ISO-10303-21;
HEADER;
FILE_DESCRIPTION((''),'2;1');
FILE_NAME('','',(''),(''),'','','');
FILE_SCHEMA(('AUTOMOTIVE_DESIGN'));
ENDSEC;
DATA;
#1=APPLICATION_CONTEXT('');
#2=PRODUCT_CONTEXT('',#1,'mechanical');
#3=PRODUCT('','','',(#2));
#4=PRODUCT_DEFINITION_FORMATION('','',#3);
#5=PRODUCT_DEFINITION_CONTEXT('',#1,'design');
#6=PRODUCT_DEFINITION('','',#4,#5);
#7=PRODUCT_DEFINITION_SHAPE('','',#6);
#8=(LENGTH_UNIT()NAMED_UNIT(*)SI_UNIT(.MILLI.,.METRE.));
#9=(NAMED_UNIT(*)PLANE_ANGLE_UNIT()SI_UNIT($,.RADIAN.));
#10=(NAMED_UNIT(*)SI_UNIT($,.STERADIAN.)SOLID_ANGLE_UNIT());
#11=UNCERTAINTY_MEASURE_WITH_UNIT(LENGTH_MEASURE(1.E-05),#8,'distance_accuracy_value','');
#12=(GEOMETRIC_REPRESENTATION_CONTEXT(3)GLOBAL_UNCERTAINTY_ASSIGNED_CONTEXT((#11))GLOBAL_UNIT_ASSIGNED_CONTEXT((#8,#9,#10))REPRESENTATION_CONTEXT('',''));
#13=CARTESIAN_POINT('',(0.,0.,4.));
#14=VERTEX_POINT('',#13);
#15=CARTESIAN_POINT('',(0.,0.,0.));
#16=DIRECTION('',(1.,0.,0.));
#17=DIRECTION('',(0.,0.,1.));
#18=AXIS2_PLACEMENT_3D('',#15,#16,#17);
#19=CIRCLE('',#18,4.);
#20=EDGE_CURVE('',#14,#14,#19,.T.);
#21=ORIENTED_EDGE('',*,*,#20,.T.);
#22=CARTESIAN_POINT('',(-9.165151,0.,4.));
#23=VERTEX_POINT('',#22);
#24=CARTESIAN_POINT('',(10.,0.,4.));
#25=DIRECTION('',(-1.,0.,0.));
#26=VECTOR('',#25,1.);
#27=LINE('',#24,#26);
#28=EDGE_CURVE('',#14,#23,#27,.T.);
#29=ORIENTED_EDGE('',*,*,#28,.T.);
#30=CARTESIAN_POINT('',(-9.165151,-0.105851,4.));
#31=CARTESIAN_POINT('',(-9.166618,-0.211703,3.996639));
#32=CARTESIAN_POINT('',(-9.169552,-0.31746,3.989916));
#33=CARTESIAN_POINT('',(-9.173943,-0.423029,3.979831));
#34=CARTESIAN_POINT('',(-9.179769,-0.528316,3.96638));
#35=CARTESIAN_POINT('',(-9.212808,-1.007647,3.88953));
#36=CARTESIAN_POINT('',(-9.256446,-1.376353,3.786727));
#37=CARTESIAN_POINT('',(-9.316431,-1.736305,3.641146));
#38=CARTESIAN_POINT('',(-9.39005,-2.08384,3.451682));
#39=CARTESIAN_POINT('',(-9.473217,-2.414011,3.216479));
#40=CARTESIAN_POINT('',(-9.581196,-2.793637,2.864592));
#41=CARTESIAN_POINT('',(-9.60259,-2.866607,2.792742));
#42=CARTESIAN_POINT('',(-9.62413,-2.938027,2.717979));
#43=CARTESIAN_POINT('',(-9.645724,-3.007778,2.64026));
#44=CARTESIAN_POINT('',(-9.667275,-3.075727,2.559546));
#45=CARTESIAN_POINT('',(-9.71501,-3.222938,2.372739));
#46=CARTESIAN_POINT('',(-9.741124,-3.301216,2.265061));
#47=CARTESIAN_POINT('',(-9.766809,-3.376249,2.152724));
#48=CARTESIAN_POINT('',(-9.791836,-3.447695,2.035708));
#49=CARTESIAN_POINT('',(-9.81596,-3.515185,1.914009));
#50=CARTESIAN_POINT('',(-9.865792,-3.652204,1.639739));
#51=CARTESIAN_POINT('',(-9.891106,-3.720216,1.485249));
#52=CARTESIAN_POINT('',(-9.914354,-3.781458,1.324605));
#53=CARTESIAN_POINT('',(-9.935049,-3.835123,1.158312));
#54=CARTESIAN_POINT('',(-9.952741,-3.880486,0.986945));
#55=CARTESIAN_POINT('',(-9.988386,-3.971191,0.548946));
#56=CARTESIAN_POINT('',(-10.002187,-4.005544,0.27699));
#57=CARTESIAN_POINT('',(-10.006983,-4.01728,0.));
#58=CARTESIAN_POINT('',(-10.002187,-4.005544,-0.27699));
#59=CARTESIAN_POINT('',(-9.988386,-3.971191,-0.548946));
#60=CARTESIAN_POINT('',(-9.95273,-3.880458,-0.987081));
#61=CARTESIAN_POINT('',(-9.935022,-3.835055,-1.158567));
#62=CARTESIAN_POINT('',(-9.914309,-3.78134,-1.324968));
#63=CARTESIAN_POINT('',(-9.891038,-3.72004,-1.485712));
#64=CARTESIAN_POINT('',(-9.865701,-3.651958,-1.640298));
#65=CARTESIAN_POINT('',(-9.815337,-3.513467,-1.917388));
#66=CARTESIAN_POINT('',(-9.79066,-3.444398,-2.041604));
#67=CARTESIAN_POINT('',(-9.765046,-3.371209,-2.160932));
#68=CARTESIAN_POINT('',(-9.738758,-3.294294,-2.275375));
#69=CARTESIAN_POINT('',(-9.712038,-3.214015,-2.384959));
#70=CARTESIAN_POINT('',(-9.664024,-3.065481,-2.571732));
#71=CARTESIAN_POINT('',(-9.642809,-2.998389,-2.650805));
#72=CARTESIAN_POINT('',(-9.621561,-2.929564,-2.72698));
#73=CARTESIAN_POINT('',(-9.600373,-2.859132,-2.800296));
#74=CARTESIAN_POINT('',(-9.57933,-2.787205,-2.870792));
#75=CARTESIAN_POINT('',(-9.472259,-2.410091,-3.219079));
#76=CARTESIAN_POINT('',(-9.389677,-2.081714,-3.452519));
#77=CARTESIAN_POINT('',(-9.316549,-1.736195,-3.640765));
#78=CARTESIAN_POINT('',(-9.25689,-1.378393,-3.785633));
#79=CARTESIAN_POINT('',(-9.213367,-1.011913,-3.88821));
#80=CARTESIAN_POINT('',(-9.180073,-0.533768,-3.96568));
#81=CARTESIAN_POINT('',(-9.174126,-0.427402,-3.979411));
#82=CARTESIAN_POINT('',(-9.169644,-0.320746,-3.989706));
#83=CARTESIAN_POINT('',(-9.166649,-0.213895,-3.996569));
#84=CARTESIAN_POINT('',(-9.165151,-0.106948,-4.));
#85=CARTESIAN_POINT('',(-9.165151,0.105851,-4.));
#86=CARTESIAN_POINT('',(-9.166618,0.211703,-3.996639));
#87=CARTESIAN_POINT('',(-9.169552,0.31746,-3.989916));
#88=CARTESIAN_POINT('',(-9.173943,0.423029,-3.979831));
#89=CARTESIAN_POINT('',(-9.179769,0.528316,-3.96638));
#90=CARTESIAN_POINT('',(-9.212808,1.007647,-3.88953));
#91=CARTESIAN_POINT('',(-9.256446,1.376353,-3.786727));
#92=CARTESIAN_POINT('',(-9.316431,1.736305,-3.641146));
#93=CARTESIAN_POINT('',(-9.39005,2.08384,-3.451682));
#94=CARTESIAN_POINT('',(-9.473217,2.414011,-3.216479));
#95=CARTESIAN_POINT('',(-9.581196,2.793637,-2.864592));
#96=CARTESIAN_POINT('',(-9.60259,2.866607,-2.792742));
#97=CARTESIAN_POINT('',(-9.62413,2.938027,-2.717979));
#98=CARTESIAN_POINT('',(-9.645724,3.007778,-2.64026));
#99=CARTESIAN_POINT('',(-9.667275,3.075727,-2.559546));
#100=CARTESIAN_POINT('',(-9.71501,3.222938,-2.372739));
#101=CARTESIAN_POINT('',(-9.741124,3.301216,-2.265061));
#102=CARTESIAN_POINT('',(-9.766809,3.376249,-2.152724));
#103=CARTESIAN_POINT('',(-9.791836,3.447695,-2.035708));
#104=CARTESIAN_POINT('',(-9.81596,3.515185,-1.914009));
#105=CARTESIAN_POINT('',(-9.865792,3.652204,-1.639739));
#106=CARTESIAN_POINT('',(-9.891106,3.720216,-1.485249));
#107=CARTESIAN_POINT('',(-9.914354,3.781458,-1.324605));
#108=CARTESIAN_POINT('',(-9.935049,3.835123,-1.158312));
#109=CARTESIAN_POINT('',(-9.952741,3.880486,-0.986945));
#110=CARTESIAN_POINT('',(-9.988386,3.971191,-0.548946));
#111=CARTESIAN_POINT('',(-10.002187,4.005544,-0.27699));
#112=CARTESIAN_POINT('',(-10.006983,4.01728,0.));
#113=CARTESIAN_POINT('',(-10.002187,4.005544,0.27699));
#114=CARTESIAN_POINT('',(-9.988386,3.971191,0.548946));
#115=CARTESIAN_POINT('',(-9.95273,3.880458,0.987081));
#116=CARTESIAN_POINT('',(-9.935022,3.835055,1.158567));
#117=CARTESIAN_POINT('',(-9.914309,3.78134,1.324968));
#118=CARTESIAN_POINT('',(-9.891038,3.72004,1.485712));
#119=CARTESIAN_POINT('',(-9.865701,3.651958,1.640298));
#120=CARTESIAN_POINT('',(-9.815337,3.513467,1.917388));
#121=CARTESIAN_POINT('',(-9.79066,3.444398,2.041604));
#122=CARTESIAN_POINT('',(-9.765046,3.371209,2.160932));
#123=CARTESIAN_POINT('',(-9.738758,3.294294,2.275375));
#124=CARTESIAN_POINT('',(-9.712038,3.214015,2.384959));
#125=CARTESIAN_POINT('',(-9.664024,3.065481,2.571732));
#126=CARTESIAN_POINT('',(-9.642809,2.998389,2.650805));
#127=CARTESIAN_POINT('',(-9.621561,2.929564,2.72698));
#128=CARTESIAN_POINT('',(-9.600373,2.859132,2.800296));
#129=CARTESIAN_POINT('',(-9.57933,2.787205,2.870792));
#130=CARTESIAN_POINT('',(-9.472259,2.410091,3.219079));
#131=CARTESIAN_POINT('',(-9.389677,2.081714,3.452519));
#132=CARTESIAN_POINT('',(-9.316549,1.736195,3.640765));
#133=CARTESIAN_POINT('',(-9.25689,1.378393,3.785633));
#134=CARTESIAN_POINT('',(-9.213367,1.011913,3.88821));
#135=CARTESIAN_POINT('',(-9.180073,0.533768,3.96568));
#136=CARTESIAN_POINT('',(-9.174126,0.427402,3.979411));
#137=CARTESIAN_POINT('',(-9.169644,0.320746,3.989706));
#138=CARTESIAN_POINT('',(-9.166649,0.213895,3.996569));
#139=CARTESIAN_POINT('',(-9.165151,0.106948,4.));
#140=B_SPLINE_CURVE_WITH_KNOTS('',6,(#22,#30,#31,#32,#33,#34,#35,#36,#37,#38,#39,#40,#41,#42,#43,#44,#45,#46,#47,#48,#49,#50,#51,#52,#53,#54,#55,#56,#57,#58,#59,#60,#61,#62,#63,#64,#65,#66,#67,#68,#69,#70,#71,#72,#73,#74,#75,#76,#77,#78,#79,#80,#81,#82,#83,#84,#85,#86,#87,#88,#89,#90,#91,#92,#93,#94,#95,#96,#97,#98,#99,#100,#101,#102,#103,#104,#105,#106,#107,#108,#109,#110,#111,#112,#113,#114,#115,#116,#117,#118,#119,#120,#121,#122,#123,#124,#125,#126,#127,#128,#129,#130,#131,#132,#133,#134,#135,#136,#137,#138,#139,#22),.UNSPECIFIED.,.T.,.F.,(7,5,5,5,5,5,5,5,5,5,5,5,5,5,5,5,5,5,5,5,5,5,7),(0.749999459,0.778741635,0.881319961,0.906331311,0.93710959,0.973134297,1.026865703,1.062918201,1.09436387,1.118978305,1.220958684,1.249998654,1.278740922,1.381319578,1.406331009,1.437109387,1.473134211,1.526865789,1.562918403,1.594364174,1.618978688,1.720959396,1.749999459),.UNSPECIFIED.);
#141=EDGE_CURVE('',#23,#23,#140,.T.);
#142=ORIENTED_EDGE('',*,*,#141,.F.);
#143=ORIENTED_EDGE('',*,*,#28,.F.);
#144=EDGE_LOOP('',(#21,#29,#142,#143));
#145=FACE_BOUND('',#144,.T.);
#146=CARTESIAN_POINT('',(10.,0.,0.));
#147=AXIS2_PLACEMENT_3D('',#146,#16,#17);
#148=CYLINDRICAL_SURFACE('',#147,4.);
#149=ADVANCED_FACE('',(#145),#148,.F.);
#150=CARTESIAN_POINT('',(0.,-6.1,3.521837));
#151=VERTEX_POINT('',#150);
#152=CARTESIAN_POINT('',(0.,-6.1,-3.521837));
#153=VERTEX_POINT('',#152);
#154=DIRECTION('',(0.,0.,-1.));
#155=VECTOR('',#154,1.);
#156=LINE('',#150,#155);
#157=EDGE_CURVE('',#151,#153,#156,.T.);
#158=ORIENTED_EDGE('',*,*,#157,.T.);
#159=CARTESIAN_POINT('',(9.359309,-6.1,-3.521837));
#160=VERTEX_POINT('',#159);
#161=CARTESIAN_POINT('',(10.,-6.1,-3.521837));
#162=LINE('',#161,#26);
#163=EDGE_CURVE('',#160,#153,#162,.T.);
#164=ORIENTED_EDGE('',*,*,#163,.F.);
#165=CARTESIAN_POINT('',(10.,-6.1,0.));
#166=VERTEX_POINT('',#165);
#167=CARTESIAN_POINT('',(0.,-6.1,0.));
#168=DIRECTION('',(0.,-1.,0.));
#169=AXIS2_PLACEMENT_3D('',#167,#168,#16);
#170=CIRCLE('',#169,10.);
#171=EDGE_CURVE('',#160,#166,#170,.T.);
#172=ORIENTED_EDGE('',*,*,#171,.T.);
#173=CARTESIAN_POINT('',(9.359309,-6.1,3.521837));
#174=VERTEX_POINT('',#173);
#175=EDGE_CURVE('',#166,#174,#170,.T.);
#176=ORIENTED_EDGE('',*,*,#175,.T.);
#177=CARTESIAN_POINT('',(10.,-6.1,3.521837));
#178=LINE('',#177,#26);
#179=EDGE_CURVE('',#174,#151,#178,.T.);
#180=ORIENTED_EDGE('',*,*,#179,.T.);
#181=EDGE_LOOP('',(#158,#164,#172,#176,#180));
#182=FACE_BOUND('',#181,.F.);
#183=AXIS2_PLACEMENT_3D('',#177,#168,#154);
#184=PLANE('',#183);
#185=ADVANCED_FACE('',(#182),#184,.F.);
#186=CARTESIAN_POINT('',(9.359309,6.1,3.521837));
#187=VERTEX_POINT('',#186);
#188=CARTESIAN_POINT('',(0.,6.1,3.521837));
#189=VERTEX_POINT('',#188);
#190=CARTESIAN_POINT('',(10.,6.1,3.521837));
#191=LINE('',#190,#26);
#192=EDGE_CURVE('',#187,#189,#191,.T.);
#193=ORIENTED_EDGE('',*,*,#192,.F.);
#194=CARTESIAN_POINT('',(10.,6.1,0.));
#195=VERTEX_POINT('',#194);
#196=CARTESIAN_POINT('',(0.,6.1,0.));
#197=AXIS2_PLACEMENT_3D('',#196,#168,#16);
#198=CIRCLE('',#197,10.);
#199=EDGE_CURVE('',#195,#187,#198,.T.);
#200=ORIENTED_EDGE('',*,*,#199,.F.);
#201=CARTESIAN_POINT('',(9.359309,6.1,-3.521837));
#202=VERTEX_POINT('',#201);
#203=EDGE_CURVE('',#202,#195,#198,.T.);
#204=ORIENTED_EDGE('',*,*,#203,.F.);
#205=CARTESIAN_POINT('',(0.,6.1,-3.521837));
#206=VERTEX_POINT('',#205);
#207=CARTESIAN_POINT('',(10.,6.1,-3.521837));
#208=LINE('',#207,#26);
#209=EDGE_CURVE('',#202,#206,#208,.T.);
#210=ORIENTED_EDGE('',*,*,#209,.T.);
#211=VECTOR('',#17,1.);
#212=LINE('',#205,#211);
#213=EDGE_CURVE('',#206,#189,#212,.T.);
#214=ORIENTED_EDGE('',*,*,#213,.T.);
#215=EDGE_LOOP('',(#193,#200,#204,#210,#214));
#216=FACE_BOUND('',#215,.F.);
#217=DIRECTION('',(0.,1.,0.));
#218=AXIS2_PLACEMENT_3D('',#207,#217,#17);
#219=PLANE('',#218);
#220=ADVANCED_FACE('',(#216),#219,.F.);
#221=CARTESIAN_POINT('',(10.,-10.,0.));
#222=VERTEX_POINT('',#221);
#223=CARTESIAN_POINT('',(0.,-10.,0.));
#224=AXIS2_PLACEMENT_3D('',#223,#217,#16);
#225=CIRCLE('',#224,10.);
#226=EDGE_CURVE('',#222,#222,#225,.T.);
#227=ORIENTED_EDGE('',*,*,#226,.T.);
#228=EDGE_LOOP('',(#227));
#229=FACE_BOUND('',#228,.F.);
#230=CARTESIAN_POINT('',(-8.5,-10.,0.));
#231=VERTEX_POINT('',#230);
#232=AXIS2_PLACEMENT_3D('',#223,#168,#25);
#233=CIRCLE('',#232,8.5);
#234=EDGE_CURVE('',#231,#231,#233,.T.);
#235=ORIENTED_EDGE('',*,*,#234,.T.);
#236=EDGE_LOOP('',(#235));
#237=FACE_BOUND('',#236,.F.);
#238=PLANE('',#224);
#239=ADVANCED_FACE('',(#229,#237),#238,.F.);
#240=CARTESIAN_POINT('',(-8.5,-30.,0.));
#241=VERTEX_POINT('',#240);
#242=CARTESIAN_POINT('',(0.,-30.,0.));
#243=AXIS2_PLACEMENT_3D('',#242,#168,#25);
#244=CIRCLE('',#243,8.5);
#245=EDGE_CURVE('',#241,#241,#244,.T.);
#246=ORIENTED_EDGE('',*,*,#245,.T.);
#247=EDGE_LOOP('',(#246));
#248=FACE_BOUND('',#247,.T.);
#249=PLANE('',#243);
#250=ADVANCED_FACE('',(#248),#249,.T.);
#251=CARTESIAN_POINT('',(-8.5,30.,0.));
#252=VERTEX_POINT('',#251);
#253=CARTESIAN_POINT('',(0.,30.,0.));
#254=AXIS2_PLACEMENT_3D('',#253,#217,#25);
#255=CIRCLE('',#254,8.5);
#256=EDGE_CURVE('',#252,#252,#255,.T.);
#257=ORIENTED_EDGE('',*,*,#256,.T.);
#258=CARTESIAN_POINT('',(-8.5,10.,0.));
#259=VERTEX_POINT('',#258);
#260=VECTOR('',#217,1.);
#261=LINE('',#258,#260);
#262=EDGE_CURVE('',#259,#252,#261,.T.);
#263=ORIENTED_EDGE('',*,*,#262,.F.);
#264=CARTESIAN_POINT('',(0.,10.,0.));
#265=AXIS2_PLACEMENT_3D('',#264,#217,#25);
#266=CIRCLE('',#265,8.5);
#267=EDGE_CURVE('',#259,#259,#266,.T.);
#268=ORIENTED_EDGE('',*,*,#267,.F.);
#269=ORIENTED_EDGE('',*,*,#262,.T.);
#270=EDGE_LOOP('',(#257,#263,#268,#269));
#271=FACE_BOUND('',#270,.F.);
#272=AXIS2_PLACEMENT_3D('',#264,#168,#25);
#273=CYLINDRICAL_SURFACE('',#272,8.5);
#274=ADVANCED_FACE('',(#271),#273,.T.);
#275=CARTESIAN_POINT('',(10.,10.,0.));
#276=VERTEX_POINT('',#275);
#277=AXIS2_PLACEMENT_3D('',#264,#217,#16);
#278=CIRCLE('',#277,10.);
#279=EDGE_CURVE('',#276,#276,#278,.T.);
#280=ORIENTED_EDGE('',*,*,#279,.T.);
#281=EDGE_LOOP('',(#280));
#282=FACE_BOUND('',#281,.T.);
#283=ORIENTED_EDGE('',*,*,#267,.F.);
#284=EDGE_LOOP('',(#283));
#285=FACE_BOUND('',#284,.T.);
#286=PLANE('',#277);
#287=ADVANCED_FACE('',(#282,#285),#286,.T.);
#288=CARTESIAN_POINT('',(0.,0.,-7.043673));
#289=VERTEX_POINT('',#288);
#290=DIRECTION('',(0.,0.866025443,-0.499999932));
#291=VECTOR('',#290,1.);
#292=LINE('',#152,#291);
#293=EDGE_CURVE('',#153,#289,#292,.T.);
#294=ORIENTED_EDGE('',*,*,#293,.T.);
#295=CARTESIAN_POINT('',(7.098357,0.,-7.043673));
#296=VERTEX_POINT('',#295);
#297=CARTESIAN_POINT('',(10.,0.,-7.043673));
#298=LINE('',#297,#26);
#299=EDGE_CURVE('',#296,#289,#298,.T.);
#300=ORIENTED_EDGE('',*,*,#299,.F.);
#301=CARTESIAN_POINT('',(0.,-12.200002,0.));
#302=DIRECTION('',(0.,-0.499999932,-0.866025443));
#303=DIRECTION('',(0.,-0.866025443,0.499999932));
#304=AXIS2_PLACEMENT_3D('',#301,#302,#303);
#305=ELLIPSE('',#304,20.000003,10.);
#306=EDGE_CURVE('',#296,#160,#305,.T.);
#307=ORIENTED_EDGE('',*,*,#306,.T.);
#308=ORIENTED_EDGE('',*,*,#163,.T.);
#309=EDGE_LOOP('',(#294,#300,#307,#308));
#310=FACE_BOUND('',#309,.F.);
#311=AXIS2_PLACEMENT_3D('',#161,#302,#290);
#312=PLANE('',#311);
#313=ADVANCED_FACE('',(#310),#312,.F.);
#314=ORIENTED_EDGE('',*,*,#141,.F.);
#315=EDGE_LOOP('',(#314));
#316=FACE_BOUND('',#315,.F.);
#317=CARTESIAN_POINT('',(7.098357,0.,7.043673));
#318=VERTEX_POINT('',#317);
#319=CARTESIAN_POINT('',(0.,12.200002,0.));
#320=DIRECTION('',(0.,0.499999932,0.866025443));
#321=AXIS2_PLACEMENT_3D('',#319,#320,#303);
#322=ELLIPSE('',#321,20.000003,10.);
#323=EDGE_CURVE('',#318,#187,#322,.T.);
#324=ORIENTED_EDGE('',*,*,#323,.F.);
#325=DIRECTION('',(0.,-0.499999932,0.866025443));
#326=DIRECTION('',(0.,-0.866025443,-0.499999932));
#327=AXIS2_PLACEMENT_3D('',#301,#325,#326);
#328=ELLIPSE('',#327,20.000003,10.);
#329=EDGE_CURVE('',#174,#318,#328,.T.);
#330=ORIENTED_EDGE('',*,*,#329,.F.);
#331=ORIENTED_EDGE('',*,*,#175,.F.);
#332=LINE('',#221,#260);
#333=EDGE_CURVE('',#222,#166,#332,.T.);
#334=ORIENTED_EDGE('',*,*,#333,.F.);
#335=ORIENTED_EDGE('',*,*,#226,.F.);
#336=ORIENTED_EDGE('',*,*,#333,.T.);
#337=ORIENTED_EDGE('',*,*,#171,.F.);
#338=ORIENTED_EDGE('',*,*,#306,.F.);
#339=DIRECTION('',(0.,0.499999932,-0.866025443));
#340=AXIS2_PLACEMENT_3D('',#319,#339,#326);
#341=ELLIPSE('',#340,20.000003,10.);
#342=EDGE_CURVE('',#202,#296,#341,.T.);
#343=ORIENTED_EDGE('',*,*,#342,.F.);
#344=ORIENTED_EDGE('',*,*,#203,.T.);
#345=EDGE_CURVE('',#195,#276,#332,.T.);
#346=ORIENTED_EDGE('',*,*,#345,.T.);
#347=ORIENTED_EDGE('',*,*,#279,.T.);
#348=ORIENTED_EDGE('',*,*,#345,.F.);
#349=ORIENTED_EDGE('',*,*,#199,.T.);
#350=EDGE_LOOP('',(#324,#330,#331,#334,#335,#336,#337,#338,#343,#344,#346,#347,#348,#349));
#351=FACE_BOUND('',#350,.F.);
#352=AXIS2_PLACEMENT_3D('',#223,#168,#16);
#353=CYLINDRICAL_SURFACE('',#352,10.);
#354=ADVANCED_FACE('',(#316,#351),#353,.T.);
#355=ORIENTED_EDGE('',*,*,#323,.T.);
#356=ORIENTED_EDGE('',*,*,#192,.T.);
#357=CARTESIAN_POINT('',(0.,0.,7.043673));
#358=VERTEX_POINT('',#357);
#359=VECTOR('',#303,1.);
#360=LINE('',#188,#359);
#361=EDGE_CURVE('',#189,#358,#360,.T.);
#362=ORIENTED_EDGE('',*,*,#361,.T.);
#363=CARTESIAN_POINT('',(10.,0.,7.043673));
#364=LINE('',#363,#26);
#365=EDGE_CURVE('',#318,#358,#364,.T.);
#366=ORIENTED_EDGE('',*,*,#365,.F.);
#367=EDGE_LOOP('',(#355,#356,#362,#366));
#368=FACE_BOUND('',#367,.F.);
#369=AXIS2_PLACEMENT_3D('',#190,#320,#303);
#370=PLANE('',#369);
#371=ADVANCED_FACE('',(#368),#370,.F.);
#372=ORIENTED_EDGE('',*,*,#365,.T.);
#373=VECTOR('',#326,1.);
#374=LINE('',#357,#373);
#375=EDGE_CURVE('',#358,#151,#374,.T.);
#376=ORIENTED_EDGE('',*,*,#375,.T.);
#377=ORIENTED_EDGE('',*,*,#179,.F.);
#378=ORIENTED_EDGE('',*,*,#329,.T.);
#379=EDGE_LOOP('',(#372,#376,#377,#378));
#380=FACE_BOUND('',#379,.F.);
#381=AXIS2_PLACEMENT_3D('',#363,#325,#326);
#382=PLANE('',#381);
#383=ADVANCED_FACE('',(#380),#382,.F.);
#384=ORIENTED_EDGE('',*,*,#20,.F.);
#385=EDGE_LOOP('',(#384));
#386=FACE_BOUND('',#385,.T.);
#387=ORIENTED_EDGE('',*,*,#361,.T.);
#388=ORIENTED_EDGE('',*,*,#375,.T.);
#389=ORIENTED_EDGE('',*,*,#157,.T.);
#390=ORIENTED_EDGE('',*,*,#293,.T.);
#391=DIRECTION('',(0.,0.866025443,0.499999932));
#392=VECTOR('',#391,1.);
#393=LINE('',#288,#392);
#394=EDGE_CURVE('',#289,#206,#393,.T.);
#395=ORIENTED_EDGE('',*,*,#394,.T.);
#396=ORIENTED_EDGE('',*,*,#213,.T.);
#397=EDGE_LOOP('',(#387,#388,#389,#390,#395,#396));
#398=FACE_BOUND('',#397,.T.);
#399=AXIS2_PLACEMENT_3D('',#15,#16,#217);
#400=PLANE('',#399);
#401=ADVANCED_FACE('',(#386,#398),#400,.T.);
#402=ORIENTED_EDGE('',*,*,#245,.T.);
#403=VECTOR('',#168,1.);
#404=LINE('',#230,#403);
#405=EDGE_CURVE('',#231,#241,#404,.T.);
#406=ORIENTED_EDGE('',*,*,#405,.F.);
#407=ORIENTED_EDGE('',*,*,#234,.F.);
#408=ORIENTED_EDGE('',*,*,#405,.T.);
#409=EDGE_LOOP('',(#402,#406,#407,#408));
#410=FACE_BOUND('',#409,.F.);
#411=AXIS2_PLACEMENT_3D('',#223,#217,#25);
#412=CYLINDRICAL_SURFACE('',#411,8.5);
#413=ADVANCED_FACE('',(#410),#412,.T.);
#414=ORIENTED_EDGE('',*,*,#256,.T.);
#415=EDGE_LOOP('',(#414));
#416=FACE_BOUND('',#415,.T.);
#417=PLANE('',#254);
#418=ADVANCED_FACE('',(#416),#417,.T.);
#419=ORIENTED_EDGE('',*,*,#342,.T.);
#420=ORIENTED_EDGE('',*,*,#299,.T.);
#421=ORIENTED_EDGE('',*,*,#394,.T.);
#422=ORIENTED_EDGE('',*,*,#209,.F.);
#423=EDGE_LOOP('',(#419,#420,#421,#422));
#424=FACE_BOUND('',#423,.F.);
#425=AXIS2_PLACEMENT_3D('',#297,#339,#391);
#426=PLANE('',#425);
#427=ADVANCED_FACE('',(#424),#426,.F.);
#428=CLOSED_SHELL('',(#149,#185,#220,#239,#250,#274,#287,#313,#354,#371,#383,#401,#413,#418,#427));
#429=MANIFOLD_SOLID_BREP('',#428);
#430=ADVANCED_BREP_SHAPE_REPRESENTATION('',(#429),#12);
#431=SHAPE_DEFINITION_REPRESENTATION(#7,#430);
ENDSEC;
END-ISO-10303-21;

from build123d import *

# Parameters (mm, degrees)
CYLINDER001_R     = 4
CYLINDER001_DEPTH = 20
PAD_DEPTH         = 10
CYLINDER_R        = 10
CYLINDER_DEPTH    = 20
CYLINDER005_R     = 8.5
CYLINDER005_DEPTH = 20
CYLINDER004_R     = 8.5
CYLINDER004_DEPTH = 20


with BuildPart() as cylinder001:
    # Cylinder001 → Cylinder001 (new body)
    with BuildSketch(Plane.ZY.offset(-10)):
        Circle(CYLINDER001_R)
    extrude(amount=CYLINDER001_DEPTH)


with BuildPart() as negative_fusion:
    # Sketch → Pad (new body)
    with BuildSketch(Plane.YZ):
        Polygon((6.1, -3.521837), (6.1, 3.521837), (0, 7.043673), (-6.1, 3.521837), (-6.1, -3.521837), (0, -7.043673), align=None)
    extrude(amount=-PAD_DEPTH)


with BuildPart() as negative_fusion_1:
    # Body placement: moved
    add(negative_fusion.part.moved(Location((10, 0, 0))))

    # Fusion: union Cylinder001
    add(cylinder001.part)


with BuildPart() as cylinder:
    # Cylinder → Cylinder (new body)
    with BuildSketch(Plane(origin=(0, -10, 0), x_dir=(1, 0, 0), z_dir=(0, 1, 0))):
        Circle(CYLINDER_R)
    extrude(amount=CYLINDER_DEPTH)


with BuildPart() as cylinder005:
    # Cylinder005 → Cylinder005 (new body)
    with BuildSketch(Plane(origin=(0, 10, 0), x_dir=(-1, 0, 0), z_dir=(0, 1, 0))):
        Circle(CYLINDER005_R)
    extrude(amount=CYLINDER005_DEPTH)


with BuildPart() as cut:
    # Cylinder004 → Cylinder004 (new body)
    with BuildSketch(Plane(origin=(0, -10, 0), x_dir=(-1, 0, 0), z_dir=(0, -1, 0))):
        Circle(CYLINDER004_R)
    extrude(amount=CYLINDER004_DEPTH)

    # Fusion001: union Cylinder, Cylinder005
    add(cylinder.part)
    add(cylinder005.part)

    # Cut: cut Negative Fusion
    add(negative_fusion_1.part, mode=Mode.SUBTRACT)


solid = cut.part
